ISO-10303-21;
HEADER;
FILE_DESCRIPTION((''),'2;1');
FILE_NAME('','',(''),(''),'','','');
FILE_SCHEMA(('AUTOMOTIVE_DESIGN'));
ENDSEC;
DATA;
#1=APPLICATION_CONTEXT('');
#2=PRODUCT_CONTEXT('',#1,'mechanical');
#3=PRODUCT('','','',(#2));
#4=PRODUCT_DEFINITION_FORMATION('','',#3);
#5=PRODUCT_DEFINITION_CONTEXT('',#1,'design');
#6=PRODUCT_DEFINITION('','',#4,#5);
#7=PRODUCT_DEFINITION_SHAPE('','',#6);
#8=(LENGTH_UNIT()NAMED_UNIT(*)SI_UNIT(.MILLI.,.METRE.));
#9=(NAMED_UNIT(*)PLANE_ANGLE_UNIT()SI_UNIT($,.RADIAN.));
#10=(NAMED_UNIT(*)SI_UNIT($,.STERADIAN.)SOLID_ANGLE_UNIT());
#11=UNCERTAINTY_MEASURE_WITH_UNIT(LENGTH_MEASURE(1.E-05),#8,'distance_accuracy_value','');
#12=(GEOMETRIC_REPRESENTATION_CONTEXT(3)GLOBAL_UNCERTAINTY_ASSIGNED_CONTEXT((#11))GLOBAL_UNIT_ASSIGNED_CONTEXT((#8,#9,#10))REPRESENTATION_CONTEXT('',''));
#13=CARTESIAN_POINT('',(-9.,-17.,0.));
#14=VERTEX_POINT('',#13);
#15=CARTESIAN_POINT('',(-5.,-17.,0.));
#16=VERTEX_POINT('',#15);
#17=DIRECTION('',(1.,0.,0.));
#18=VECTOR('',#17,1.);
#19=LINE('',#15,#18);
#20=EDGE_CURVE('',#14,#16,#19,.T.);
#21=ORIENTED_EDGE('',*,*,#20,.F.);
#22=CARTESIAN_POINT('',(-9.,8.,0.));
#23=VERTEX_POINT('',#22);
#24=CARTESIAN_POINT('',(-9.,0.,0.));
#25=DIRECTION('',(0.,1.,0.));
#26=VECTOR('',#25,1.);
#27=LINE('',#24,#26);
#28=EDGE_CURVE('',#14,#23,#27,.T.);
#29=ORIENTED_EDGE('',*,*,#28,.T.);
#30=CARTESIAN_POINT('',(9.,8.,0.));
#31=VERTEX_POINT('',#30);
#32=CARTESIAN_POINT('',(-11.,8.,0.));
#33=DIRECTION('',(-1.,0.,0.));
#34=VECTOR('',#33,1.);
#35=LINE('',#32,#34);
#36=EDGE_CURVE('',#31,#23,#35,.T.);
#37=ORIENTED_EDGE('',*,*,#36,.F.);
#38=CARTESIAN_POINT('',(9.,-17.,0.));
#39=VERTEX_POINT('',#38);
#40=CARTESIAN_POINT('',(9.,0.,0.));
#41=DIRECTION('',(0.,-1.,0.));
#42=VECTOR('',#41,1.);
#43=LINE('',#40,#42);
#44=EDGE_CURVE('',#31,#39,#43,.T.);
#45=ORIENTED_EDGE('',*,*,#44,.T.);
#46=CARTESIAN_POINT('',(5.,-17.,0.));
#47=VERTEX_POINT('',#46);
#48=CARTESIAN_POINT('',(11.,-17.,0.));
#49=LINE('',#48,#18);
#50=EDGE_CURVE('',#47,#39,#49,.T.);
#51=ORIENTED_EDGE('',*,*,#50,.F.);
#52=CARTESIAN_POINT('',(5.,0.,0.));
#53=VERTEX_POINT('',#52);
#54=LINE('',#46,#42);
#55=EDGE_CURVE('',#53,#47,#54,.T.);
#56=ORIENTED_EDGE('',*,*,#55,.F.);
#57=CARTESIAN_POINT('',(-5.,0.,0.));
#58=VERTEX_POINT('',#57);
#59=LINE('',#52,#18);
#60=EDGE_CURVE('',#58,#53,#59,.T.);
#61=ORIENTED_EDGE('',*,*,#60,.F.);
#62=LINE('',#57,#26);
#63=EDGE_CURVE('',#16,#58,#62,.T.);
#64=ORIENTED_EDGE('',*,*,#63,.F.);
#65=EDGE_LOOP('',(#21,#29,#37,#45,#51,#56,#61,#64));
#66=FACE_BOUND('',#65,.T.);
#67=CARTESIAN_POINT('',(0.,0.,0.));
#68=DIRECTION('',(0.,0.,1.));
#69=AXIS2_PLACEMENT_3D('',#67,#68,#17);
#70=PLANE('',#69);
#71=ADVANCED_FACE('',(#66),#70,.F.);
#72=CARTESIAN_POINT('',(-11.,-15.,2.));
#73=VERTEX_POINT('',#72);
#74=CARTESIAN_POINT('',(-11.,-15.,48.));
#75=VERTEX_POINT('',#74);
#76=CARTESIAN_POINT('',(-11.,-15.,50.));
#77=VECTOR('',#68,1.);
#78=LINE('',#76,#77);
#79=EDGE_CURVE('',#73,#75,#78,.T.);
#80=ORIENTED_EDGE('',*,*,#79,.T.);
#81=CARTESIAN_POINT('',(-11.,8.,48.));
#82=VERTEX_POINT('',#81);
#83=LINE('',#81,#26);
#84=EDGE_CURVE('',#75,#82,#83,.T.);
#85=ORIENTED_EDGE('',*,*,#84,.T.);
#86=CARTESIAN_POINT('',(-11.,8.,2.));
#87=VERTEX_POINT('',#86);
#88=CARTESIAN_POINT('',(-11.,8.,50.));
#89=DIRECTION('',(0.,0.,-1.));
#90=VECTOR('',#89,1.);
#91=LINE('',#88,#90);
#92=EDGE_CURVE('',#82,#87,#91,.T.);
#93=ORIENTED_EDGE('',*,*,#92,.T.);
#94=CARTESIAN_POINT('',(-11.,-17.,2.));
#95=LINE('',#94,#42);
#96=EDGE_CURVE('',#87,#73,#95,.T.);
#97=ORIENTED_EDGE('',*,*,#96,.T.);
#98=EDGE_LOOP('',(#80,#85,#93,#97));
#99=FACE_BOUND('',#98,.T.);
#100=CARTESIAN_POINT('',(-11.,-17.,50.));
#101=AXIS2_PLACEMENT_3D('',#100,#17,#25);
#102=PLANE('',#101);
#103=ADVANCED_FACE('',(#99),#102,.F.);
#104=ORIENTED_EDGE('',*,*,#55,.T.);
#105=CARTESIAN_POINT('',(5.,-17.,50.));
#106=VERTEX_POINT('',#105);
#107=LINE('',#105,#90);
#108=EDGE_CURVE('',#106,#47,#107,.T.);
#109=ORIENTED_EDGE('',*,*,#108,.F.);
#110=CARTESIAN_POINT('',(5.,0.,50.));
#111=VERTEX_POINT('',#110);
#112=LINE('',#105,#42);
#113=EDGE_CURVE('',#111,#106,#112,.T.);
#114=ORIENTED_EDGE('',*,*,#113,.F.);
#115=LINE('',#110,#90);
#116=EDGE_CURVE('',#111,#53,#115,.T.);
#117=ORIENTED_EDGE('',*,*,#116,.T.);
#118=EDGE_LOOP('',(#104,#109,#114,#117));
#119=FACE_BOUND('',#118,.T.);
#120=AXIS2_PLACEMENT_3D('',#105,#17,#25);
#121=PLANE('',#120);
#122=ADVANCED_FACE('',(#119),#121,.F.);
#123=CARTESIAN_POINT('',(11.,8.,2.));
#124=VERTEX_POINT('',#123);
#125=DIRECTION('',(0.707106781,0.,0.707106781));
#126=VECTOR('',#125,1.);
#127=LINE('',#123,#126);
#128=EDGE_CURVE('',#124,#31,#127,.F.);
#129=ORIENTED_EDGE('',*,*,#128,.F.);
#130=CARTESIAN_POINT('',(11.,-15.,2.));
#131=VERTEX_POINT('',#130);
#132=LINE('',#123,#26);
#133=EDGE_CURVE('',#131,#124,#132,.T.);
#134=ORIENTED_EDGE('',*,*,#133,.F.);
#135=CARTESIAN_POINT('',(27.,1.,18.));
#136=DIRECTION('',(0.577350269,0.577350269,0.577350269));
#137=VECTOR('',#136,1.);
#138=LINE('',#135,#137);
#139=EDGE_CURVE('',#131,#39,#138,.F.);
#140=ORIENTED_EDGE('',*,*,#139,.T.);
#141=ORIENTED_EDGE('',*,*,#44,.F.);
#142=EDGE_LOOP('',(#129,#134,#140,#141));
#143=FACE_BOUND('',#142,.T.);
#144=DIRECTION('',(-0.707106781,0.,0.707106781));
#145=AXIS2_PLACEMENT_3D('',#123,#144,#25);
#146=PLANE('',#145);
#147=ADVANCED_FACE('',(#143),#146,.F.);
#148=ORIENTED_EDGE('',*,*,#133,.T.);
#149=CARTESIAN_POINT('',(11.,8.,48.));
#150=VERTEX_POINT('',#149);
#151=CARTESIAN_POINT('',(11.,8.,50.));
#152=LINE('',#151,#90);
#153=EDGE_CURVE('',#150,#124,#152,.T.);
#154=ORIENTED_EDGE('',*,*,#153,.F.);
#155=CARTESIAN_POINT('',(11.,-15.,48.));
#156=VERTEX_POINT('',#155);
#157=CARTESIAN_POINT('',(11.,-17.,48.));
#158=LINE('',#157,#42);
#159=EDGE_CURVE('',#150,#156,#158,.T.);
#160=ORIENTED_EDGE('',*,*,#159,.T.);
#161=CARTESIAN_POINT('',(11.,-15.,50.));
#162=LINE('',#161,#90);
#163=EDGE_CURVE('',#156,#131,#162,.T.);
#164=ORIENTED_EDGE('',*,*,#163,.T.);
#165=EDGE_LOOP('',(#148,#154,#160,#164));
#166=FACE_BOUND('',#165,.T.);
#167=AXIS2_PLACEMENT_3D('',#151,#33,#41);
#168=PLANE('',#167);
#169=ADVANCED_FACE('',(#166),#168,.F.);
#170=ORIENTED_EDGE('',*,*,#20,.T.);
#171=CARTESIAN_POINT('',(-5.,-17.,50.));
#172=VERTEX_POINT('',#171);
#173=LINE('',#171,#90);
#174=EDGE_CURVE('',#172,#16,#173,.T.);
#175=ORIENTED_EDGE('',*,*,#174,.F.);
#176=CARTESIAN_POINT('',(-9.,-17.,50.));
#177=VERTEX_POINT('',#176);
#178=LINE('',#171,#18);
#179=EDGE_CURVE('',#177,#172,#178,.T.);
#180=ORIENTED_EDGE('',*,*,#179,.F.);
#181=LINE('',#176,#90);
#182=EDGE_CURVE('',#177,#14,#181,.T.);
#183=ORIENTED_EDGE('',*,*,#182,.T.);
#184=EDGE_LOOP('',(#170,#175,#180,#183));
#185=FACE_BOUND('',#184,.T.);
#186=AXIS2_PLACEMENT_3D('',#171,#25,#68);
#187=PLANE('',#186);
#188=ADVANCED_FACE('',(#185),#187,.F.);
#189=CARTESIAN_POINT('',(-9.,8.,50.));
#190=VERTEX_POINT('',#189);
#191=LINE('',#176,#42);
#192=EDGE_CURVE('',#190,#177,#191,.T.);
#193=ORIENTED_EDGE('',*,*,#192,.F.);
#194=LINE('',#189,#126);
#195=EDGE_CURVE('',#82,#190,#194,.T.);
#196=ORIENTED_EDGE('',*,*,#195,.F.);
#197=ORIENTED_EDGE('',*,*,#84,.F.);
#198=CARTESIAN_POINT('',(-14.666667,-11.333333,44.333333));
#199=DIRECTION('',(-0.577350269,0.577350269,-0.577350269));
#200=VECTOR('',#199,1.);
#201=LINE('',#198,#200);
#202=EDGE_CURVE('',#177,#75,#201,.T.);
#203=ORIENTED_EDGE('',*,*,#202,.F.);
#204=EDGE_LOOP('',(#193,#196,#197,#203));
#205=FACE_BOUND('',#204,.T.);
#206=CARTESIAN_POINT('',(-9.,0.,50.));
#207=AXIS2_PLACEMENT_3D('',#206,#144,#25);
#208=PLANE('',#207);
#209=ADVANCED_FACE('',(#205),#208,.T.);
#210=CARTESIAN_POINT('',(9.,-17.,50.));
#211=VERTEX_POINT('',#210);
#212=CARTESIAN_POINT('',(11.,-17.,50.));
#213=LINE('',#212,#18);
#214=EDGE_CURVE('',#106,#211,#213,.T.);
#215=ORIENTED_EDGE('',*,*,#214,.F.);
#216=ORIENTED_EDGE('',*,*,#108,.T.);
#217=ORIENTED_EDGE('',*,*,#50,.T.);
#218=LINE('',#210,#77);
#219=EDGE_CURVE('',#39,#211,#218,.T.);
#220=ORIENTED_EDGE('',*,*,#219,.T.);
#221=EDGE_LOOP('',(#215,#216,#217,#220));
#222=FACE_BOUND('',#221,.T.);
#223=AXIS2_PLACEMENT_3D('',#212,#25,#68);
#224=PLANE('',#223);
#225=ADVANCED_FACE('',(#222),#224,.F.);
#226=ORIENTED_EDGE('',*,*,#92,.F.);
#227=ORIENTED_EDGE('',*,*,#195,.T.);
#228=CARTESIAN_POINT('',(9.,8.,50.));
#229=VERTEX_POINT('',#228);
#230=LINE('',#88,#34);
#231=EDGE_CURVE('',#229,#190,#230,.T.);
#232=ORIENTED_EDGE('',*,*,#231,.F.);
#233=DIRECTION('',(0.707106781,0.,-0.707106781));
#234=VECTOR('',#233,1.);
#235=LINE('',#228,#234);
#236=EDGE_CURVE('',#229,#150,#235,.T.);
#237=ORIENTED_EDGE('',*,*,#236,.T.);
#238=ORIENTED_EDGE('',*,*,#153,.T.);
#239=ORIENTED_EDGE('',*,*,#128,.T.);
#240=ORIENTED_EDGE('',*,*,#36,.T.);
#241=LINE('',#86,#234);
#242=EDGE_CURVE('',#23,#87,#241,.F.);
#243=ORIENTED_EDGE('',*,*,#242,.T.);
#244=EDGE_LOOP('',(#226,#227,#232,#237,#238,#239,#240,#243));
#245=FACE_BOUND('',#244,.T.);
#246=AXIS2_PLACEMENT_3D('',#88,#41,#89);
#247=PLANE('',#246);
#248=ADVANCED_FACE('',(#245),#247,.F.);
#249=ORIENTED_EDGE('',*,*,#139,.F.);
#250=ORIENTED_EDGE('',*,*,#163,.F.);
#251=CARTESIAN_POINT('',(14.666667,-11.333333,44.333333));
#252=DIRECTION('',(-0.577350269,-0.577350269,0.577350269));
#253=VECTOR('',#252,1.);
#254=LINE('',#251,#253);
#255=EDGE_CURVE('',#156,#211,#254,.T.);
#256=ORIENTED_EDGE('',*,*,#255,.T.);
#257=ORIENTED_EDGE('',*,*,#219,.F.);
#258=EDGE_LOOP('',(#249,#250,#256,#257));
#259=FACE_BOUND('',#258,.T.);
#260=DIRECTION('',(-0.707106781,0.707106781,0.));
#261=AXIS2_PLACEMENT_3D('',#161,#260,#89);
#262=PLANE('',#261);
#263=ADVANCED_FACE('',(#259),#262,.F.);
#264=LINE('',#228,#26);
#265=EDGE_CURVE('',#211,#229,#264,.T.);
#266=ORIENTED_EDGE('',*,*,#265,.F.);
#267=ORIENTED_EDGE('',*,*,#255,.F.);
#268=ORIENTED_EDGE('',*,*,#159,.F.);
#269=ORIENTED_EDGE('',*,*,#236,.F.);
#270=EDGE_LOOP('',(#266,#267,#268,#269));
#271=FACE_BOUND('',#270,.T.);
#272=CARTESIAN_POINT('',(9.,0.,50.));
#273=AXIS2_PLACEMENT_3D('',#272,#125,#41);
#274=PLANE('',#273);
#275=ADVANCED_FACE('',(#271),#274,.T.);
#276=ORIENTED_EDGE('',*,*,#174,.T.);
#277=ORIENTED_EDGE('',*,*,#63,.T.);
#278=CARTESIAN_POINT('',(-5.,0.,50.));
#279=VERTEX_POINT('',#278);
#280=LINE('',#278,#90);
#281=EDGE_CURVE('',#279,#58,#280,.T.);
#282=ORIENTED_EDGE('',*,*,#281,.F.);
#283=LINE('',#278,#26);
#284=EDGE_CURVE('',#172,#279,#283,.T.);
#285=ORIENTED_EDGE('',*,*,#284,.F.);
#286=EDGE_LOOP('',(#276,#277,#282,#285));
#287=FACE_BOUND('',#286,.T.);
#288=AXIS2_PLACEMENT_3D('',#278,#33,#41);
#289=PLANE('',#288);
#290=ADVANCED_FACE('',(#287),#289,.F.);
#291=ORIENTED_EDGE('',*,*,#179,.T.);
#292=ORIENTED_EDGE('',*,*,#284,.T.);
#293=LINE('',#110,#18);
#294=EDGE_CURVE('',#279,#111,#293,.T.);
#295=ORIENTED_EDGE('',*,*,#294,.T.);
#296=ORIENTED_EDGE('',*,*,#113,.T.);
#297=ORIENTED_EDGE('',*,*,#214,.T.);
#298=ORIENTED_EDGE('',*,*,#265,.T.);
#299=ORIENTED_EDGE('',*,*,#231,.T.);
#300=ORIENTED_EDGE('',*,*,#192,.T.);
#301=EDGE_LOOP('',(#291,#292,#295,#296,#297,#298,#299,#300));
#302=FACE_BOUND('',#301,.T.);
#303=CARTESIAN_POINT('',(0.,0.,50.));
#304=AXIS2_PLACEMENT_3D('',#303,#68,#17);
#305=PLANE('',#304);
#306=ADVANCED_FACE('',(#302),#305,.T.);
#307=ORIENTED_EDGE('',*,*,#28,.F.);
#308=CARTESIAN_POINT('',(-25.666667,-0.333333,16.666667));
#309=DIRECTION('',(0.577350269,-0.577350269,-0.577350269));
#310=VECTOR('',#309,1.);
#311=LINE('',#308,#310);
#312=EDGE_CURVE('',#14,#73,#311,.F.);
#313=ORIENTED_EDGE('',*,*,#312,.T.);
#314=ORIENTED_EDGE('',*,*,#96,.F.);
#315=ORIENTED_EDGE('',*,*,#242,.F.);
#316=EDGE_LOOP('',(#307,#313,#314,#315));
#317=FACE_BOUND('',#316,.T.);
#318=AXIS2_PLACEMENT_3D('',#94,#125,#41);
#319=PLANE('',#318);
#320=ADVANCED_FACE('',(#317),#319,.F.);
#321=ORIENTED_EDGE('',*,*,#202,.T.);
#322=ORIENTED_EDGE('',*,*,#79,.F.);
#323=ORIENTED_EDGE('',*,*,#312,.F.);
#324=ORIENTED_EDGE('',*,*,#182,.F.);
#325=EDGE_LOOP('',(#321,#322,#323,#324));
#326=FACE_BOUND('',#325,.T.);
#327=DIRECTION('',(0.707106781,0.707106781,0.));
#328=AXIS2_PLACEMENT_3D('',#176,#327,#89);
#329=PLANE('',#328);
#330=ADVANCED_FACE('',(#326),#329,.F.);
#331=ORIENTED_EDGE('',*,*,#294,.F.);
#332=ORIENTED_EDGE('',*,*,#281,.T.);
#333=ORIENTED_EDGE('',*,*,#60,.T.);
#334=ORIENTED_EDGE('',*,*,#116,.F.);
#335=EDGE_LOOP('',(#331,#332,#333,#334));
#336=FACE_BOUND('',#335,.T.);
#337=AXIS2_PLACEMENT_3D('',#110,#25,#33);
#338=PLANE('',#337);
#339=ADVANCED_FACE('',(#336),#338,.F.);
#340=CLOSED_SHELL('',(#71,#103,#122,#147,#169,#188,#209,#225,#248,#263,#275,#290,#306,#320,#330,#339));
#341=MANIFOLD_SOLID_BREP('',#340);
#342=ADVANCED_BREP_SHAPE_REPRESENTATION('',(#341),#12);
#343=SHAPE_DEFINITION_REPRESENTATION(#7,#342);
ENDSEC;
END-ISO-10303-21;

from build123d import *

# Parameters (mm, degrees)
ESTRUSIONE_ESTRUSIONE1_DEPTH = 50
SMUSSO1_SIZE                 = 2


with BuildPart() as part:
    # Schizzo1 → Estrusione-Estrusione1 (new body)
    with BuildSketch(Plane.XY):
        Polygon((5, 0), (-5, 0), (-5, -17), (-11, -17), (-11, 8), (11, 8), (11, -17), (5, -17), align=None)
    extrude(amount=ESTRUSIONE_ESTRUSIONE1_DEPTH)

    # Smusso1
    smusso1_edges = [part.edges().sort_by_distance(p)[0] for p in [
        (11, -4.5, 0),
        (11, -4.5, 50),
        (-11, -17, 25),
        (11, -17, 25),
        (-11, -4.5, 50),
        (-11, -4.5, 0),
    ]]
    chamfer(smusso1_edges, length=SMUSSO1_SIZE)


solid = part.part
